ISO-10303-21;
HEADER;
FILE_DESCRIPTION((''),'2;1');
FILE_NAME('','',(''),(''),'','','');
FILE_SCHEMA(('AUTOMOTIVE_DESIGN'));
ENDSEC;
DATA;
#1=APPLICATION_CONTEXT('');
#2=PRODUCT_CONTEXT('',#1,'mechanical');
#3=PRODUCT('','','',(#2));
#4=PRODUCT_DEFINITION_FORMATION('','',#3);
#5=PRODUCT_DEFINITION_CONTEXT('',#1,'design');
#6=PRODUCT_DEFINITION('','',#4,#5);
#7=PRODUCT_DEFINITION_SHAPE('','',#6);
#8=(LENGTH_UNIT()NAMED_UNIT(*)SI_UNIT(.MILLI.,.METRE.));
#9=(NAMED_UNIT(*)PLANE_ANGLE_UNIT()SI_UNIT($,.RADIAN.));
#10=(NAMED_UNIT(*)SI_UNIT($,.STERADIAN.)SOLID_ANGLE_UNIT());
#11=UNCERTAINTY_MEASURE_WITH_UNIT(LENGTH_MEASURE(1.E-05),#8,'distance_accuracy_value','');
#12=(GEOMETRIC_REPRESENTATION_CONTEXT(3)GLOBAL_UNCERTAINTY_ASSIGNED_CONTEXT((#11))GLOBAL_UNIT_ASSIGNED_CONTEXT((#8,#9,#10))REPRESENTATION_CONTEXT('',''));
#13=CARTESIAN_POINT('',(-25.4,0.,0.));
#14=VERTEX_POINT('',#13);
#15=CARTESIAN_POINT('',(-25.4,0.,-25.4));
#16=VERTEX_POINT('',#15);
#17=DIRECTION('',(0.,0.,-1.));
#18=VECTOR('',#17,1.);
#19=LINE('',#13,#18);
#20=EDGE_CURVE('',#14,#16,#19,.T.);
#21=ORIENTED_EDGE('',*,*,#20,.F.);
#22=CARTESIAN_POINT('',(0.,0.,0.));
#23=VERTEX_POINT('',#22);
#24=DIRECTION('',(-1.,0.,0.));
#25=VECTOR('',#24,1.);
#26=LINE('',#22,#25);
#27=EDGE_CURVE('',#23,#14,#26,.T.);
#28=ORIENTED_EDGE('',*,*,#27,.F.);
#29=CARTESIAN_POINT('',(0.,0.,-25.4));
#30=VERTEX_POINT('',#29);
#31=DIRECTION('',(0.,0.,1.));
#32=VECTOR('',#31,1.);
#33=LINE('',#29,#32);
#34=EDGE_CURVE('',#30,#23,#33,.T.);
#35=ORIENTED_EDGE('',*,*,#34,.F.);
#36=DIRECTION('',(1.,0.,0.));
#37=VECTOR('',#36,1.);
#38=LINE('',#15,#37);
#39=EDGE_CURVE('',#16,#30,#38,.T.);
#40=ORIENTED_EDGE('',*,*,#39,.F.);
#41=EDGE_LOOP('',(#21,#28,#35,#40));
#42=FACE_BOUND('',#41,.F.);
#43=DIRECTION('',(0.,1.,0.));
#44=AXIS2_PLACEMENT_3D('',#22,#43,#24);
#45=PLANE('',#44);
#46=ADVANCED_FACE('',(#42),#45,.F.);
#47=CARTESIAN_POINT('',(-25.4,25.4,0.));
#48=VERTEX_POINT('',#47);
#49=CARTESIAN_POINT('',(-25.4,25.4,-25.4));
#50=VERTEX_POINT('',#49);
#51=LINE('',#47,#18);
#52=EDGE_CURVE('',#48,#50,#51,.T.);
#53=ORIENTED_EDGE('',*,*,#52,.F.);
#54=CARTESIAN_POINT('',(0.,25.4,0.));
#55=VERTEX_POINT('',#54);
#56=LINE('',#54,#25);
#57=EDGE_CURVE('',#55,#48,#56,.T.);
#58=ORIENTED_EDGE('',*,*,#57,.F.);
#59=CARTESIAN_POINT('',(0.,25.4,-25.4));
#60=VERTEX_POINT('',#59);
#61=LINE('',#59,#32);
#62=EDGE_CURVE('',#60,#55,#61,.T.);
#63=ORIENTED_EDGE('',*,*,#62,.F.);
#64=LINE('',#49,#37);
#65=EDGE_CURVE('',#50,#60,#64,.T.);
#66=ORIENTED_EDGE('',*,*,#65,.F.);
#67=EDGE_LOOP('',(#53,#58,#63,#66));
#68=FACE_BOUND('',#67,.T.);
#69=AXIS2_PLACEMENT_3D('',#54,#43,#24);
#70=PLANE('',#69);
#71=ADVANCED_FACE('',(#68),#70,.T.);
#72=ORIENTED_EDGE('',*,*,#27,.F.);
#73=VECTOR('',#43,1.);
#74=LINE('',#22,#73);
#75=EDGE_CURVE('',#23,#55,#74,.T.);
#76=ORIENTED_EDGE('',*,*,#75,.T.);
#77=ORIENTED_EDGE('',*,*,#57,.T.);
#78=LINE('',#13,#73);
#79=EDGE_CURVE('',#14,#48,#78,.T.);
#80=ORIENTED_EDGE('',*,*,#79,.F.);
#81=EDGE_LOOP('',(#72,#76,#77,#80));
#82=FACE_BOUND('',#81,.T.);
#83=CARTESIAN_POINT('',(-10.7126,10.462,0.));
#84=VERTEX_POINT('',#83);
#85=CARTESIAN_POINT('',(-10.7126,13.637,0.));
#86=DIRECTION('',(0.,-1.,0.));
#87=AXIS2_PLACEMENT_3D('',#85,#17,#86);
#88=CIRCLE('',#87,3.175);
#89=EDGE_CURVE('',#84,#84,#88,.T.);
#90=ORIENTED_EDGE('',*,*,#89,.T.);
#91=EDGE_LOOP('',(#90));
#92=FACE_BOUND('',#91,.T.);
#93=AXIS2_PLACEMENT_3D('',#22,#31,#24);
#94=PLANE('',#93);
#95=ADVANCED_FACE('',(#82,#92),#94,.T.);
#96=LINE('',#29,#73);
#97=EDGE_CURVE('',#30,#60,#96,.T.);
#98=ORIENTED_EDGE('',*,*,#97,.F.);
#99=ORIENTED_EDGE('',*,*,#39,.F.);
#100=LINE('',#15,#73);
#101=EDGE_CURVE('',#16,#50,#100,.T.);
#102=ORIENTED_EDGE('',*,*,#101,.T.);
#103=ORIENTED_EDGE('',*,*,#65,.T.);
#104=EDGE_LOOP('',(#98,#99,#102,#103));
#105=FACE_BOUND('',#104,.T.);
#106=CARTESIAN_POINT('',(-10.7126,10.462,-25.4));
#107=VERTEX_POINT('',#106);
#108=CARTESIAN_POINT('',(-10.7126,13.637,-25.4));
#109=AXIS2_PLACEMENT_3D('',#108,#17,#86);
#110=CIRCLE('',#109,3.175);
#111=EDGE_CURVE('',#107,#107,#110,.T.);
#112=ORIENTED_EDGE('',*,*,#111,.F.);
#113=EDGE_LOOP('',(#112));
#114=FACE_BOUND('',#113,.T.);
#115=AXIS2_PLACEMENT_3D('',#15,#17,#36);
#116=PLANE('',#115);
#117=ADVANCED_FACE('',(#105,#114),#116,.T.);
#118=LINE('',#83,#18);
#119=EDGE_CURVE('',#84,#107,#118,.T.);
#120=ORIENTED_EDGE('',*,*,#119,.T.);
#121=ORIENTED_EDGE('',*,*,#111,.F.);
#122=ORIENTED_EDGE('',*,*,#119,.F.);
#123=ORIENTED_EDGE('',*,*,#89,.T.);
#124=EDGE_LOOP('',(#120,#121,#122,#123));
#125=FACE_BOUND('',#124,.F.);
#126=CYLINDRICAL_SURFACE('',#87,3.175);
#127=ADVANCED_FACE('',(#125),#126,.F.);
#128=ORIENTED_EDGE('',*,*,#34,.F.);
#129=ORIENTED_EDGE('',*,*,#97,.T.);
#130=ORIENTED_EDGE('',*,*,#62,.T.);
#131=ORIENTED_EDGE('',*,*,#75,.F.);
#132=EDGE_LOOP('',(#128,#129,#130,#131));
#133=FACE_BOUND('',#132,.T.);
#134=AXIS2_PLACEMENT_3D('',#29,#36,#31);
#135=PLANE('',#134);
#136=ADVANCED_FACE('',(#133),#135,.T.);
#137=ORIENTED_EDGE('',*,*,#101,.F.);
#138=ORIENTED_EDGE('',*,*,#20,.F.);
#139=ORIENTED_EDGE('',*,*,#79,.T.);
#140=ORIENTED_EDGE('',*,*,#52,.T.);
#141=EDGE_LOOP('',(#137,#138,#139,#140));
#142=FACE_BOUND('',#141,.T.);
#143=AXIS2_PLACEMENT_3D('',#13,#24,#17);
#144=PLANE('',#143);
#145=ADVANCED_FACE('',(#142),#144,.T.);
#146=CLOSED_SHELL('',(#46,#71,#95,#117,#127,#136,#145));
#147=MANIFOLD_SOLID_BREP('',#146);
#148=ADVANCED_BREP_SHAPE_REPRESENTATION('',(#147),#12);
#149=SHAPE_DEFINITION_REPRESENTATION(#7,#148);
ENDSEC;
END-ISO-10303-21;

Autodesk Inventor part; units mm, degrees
ref_plane "YZ Plane" through (0, 0, 0) normal (1, 0, 0) x (0, 1, 0)
ref_plane "XZ Plane" through (0, 0, 0) normal (0, 1, 0) x (-1, 0, 0)
ref_plane "XY Plane" through (0, 0, 0) normal (0, 0, 1) x (1, 0, 0)
sketch "Sketch1" plane through (0, 0, 0) normal (0, 1, 0) x (-1, 0, 0)
  line L0 (0, 0) -> (25.4, 0)
  line L1 (25.4, 0) -> (25.4, -25.4)
  line L2 (25.4, -25.4) -> (0, -25.4)
  line L3 (0, -25.4) -> (0, 0)
  dimension "d0" = 25.4
  dimension "d1" = 25.4
extrude "Extrusion1" add sketch "Sketch1" along normal blind 25.4
sketch "Sketch2" plane through (-25.4, 0, 0) normal (0, 0, 1) x (1, 0, 0)
  point P0 (25.4, 0)
  point P1 (14.6874, 13.637)
hole "Hole1" at (-10.7126, 13.637, 0) direction (0, 0, -1) diameter 6.35 depth 36.5125 tip angle 118
